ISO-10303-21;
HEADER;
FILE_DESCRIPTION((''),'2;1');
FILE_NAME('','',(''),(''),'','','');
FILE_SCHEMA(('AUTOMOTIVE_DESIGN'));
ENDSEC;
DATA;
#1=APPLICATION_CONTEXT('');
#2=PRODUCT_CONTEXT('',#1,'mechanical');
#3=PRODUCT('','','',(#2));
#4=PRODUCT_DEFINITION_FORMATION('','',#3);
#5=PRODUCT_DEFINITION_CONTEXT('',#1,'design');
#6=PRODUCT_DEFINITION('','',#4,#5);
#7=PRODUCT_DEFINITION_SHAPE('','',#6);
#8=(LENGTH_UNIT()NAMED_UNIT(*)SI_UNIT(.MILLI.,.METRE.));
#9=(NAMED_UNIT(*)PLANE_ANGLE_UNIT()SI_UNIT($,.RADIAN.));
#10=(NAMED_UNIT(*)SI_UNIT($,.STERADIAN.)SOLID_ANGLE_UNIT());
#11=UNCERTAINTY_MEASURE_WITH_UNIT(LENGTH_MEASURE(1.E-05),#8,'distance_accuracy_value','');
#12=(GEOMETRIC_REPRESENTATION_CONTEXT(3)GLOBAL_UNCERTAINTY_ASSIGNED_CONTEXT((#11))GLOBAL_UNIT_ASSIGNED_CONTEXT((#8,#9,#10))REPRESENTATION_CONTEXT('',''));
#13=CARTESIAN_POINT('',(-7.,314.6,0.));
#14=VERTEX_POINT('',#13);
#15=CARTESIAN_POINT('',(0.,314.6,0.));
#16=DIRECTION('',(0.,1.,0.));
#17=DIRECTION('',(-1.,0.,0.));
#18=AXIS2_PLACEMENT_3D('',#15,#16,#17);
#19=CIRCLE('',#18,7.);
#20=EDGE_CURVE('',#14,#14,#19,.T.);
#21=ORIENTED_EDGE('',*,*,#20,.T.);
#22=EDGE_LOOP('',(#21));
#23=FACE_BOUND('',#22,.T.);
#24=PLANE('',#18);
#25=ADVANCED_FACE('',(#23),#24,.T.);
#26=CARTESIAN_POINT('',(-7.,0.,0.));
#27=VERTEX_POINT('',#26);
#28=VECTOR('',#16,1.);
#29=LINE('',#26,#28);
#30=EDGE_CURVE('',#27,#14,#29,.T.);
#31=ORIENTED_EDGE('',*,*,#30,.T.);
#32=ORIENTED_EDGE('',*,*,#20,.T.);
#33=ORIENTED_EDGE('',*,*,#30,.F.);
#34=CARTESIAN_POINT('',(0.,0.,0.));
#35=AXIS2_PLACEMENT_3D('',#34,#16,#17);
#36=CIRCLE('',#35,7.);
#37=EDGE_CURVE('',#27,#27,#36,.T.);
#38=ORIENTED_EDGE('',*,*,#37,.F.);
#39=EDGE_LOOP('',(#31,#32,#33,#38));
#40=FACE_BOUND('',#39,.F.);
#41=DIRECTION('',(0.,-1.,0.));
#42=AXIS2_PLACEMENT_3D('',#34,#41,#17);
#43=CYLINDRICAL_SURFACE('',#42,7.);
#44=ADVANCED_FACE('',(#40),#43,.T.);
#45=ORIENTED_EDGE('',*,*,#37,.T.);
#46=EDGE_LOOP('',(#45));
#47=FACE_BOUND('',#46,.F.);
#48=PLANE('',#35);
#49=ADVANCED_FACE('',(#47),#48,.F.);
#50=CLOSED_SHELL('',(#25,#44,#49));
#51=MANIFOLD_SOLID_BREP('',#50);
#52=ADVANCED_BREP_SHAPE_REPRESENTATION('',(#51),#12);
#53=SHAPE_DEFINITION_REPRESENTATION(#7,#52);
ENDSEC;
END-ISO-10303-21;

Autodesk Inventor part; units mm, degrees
ref_plane "YZ Plane" through (0, 0, 0) normal (1, 0, 0) x (0, 1, 0)
ref_plane "XZ Plane" through (0, 0, 0) normal (0, 1, 0) x (-1, 0, 0)
ref_plane "XY Plane" through (0, 0, 0) normal (0, 0, 1) x (1, 0, 0)
sketch "Boceto1" plane through (0, 0, 0) normal (0, 1, 0) x (-1, 0, 0)
  circle A0 centre (0, 0) radius 7
  dimension "d0" = 14
extrude "Extrusión1" add sketch "Boceto1" along normal blind 314.6
properties part number "pasador_cajon"
